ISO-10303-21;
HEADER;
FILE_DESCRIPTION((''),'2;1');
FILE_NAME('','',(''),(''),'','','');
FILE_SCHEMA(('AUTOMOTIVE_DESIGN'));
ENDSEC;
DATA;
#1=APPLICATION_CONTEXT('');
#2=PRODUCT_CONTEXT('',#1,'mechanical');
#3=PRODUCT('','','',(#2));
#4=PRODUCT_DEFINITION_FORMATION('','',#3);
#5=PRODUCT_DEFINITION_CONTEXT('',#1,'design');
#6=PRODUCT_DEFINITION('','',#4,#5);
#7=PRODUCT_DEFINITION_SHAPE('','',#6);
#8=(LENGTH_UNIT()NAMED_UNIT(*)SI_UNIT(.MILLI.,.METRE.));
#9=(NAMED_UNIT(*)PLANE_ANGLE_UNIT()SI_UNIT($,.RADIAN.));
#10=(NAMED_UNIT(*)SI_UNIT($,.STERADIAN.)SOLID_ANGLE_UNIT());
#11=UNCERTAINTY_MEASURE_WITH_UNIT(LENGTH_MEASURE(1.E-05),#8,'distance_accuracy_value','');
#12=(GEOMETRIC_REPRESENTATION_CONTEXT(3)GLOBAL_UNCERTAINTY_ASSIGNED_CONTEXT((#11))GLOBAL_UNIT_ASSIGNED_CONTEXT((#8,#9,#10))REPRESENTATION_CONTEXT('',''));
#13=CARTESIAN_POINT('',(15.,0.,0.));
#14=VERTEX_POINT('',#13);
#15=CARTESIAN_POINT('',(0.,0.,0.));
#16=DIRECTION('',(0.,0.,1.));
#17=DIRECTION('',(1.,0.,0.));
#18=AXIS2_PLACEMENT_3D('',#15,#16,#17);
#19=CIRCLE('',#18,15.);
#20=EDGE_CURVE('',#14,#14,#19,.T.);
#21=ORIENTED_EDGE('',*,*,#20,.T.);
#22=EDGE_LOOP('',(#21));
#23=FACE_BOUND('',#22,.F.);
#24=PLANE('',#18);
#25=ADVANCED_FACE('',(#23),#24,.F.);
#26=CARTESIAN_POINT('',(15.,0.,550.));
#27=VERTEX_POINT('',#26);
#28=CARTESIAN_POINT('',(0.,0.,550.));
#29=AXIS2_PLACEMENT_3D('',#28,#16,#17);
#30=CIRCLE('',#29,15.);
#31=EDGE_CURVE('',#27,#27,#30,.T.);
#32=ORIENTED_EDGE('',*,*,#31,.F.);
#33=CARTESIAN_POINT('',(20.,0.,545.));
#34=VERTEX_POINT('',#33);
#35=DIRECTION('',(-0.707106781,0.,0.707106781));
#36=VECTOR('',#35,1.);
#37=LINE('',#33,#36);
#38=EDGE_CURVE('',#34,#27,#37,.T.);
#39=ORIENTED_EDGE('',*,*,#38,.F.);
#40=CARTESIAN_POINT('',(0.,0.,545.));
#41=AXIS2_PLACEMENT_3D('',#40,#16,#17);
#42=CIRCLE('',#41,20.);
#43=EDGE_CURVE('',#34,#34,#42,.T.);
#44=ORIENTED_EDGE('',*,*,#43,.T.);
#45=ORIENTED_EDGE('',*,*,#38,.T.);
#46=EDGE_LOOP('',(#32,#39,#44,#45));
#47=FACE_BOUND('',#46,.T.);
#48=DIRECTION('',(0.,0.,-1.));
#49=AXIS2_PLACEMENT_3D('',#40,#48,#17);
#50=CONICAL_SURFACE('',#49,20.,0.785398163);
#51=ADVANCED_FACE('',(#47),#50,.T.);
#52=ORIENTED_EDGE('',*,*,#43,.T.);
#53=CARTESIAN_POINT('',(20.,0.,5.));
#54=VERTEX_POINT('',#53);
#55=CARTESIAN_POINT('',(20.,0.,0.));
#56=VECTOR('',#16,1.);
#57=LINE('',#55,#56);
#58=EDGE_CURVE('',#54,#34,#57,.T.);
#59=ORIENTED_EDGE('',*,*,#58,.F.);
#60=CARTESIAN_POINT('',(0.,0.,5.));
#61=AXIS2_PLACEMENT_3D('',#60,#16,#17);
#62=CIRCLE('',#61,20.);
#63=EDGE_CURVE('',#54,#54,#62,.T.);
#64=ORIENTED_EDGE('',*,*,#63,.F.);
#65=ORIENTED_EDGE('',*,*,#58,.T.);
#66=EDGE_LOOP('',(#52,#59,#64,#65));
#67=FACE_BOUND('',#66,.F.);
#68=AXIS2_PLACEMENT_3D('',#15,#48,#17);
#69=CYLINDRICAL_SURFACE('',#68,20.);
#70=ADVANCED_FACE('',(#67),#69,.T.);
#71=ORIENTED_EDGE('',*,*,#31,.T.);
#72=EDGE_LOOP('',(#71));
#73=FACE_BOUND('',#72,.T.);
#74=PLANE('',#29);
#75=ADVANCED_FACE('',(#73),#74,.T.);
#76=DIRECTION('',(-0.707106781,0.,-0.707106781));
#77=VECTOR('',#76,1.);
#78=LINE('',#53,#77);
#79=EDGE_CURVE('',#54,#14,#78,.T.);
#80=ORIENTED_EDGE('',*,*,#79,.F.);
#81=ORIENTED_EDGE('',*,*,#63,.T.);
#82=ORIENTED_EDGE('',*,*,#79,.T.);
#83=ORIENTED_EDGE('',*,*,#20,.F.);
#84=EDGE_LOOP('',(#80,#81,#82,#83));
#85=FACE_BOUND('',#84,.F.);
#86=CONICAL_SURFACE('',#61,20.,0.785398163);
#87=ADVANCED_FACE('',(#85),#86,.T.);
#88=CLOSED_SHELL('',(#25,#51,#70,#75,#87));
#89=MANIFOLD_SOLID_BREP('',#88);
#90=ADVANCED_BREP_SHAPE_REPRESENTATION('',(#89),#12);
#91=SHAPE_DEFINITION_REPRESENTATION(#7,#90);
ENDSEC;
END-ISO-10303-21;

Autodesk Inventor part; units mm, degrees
ref_plane "YZ Plane" through (0, 0, 0) normal (1, 0, 0) x (0, 1, 0)
ref_plane "XZ Plane" through (0, 0, 0) normal (0, 1, 0) x (-1, 0, 0)
ref_plane "XY Plane" through (0, 0, 0) normal (0, 0, 1) x (1, 0, 0)
sketch "Skizze12" plane through (0, 0, 0) normal (0, 0, 1) x (1, 0, 0)
  circle A0 centre (0, 0) radius 20
  dimension "d77" = 40
extrude "Extrusion11" add sketch "Skizze12" along normal blind 550
chamfer "Fase1" distance 5 angle 45 2 edges at (-20, 0, 0) (-20, 0, 550)
thread "Gewinde2" size "M40x3" class "6g" standard "ANSI Metric M Profile" length 225
thread "Gewinde3" size "M40x3" class "6g" standard "ANSI Metric M Profile" length 225
properties part number "Randverbinder1" material "PC/ABS-Kunststoff"
